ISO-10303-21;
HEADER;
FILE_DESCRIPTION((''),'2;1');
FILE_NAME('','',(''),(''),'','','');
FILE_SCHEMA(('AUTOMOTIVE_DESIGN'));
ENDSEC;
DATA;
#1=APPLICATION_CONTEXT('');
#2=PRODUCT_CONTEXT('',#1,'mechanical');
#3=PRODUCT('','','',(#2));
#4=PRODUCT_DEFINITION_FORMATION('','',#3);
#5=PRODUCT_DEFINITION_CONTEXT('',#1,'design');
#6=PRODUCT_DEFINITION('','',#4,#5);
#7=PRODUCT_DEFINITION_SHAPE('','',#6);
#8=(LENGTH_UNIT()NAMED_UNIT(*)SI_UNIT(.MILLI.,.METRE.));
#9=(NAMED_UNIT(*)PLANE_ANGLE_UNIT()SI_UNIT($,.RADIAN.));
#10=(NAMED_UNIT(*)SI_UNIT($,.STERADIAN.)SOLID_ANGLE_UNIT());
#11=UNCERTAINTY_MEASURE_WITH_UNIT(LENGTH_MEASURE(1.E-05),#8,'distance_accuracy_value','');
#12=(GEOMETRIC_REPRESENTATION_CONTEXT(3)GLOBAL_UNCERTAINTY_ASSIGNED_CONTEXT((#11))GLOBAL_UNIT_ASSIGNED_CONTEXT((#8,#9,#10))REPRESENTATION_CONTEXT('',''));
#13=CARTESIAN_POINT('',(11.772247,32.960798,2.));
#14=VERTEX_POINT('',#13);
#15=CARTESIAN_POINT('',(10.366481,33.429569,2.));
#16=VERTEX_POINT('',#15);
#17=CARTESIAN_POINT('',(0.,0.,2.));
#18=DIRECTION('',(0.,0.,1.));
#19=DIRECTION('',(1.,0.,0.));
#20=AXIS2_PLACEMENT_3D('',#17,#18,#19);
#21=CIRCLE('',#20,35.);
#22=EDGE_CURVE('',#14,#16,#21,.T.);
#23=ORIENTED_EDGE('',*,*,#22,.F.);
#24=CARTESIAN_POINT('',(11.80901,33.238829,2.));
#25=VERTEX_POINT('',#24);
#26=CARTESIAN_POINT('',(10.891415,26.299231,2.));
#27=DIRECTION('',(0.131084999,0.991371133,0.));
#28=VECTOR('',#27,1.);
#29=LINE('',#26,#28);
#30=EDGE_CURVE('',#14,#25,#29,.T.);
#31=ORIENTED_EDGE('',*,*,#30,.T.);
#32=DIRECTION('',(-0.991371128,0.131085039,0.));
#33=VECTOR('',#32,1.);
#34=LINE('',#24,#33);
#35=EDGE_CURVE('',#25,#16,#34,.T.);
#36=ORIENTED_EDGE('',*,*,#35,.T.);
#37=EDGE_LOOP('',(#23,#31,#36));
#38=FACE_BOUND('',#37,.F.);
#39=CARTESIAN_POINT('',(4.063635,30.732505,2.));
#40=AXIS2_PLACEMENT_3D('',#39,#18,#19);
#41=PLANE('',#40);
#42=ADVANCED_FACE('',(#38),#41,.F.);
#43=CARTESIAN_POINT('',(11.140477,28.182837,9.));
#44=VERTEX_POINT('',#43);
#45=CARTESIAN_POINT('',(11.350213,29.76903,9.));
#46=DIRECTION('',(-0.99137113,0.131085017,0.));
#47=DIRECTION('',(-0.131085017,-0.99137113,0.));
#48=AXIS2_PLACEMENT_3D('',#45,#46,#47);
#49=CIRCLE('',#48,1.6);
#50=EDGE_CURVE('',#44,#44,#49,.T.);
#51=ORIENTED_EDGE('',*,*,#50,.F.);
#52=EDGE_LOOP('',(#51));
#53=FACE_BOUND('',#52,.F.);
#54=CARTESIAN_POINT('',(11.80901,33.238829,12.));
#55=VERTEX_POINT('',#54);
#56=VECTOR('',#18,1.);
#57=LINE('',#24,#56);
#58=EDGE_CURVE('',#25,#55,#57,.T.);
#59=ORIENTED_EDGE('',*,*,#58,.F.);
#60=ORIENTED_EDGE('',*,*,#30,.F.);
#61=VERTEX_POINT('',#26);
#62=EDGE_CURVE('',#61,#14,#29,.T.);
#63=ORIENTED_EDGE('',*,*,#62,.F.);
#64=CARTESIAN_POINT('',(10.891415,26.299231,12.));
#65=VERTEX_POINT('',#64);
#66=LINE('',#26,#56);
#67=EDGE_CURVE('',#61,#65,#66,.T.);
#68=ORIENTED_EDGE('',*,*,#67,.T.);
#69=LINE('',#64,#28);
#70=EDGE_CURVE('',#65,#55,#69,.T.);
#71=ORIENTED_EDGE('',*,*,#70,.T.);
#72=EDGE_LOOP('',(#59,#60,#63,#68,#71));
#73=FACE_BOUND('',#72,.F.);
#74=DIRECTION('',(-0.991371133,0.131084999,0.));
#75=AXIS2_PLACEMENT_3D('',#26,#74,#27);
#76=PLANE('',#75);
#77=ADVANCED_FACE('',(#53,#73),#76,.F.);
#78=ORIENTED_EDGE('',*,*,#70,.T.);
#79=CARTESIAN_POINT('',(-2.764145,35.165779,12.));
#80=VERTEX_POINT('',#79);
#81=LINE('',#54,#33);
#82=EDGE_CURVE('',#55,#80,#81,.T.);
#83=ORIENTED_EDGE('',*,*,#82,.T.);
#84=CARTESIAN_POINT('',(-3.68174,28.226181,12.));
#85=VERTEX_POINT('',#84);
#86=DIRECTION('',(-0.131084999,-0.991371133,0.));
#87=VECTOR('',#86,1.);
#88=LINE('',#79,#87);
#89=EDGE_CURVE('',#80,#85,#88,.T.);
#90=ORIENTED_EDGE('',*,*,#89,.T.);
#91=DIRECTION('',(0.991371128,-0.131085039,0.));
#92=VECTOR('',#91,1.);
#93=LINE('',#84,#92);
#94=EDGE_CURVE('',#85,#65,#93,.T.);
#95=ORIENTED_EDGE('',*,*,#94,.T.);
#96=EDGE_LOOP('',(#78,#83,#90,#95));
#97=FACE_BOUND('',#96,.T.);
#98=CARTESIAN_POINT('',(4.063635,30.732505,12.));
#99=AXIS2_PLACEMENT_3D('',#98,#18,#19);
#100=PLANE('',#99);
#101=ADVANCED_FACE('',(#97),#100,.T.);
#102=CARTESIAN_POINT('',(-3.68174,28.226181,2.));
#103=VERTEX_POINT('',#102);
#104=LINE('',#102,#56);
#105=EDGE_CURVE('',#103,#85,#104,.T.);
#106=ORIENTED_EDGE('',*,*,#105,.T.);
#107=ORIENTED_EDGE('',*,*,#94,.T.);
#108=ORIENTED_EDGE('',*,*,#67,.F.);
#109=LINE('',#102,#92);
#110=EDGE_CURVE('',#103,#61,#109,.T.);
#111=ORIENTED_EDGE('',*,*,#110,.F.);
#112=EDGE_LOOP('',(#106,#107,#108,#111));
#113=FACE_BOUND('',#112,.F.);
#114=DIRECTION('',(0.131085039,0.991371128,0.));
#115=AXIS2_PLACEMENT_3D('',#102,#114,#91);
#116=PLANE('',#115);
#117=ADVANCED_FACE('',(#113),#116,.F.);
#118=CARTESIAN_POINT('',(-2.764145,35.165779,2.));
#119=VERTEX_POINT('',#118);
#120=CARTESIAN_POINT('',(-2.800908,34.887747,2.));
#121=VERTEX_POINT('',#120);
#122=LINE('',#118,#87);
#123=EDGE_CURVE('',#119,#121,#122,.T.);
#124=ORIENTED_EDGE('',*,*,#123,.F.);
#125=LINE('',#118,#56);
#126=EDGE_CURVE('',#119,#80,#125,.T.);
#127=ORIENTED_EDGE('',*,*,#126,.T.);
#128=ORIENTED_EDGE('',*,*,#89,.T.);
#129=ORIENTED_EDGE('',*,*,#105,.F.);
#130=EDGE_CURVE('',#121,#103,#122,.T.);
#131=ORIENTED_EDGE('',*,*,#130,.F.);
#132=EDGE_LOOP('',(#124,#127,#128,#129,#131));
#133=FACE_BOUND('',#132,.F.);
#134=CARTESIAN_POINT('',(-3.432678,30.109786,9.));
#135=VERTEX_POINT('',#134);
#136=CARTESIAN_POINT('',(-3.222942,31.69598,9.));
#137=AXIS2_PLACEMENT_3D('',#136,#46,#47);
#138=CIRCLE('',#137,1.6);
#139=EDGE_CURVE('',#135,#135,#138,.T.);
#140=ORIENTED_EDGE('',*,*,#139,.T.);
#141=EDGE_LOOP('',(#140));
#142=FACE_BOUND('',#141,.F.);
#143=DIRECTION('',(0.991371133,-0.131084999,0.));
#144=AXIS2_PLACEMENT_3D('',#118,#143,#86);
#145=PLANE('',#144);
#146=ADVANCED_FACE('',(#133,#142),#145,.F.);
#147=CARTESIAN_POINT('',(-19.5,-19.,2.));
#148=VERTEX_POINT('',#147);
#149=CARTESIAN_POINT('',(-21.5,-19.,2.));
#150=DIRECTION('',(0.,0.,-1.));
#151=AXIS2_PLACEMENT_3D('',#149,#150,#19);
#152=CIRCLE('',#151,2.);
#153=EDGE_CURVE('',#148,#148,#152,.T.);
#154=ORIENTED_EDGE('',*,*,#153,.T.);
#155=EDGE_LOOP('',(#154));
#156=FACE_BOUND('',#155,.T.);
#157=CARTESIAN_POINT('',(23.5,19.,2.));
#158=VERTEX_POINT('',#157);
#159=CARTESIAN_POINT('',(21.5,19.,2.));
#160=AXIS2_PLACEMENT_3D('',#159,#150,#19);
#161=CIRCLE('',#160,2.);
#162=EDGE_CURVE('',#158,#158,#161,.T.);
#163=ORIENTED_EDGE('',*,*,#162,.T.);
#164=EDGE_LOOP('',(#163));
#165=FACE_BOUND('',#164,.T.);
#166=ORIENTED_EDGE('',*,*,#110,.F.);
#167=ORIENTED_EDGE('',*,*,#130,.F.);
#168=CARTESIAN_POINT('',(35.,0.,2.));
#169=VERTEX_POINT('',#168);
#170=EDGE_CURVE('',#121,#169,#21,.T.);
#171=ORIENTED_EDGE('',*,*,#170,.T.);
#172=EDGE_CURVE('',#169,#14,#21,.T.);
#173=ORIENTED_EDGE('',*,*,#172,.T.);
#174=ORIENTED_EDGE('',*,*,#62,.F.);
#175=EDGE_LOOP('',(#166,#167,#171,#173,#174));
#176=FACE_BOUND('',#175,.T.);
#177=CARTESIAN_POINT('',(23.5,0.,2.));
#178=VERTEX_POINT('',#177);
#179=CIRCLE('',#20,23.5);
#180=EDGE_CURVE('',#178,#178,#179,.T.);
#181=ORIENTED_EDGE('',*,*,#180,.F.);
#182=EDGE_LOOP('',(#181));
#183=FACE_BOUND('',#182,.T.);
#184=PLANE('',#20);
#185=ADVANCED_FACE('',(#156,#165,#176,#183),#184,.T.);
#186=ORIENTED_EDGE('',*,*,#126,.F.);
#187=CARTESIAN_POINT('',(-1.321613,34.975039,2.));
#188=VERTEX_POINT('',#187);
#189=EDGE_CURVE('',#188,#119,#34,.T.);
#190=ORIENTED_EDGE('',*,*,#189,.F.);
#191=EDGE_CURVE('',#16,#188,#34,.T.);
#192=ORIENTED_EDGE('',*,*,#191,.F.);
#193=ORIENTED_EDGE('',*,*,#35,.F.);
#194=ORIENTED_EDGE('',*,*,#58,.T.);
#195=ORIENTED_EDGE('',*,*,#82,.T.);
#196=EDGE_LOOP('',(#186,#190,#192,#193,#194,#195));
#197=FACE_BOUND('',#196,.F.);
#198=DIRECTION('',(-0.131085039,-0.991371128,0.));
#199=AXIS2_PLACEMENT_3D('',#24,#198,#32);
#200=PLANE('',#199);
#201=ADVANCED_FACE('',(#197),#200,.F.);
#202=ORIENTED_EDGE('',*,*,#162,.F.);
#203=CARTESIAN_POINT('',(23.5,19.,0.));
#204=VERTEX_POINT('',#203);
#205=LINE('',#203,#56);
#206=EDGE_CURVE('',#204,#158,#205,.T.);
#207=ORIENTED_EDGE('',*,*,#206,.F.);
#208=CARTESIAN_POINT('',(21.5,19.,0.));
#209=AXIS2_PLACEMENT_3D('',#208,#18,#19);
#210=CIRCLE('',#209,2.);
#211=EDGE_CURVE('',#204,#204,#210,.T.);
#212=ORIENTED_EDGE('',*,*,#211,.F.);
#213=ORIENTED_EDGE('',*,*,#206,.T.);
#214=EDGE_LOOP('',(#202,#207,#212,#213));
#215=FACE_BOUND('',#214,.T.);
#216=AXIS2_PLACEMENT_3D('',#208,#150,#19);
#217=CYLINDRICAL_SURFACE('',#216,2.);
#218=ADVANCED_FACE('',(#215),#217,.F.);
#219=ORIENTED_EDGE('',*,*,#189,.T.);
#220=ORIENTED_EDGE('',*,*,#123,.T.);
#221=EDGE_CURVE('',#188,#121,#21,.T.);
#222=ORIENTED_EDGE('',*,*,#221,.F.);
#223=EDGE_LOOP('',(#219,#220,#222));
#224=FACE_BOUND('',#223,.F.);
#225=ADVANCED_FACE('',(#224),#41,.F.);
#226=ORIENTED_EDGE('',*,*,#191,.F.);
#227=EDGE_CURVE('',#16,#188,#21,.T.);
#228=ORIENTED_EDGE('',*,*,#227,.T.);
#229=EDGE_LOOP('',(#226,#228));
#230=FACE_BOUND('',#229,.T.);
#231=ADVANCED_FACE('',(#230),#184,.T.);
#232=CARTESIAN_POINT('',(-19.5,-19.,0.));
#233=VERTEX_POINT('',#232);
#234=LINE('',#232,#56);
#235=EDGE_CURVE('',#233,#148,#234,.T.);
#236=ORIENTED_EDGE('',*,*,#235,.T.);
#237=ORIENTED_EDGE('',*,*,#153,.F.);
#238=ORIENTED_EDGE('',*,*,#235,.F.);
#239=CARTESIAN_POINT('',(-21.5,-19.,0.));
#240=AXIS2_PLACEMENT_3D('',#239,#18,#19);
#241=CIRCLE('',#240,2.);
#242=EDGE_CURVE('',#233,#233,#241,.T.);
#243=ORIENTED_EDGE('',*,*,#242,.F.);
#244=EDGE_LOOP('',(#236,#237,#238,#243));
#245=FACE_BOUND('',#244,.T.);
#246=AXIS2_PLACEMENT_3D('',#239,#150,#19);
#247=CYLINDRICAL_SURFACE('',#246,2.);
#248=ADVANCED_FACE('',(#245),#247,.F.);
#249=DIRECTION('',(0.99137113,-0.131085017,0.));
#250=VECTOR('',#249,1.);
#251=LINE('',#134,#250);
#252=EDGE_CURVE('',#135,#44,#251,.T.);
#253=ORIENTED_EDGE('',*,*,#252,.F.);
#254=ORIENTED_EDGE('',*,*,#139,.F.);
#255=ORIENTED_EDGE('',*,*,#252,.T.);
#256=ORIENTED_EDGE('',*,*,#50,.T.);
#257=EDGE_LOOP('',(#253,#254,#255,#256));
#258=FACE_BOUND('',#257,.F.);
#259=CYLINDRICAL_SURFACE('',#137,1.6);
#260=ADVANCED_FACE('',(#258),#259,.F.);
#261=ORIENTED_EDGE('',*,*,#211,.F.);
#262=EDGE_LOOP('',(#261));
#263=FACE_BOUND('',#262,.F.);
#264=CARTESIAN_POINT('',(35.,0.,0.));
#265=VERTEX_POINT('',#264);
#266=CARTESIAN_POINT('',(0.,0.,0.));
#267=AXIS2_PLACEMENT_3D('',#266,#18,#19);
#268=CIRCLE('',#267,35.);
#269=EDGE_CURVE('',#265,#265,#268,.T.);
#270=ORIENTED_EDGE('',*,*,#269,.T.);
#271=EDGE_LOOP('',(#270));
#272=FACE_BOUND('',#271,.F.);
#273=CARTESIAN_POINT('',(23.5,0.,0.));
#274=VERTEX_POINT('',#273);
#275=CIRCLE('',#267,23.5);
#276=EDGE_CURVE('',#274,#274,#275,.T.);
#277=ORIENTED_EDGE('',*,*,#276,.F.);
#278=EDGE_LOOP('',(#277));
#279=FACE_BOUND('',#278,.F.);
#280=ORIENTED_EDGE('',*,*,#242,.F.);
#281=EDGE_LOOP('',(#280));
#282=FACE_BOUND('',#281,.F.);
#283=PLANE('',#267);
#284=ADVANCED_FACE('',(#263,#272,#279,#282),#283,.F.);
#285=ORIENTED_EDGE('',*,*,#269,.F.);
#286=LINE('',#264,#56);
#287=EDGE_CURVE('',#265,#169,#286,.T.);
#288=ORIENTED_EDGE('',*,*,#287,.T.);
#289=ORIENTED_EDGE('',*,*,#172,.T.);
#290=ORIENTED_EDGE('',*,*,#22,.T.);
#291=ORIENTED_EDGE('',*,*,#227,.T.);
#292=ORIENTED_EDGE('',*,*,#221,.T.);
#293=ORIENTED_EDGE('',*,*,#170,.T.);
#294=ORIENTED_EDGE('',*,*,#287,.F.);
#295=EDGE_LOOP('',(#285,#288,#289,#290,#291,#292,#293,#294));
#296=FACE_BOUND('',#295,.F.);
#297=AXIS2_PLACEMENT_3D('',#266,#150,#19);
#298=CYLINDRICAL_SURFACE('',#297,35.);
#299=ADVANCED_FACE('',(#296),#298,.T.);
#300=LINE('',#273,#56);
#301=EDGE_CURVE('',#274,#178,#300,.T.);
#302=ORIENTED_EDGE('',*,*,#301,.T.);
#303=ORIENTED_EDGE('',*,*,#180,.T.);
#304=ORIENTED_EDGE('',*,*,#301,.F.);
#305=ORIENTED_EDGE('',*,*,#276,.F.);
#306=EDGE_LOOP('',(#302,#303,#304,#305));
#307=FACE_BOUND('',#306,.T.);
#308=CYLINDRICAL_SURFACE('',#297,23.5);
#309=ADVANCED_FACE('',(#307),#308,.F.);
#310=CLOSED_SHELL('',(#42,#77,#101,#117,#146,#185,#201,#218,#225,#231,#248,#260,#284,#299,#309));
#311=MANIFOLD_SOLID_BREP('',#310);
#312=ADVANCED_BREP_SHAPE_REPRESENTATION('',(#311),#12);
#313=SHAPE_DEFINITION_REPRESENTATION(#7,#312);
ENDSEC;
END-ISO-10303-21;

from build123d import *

# Parameters (mm, degrees)
F0_R     = 35
F0_R_2   = 23.5
F1_DEPTH = 2
F2_R     = 2
F3_DEPTH = 2.001
F5_DEPTH = 10
F6_R     = 1.6
F7_DEPTH = 46.636965


with BuildPart() as f1:
    # F0 (on Top) → F1 (new body)
    with BuildSketch(Plane.XY):
        Circle(F0_R)
        Circle(F0_R_2, mode=Mode.SUBTRACT)
    extrude(amount=F1_DEPTH)

    # F2 (on Top) → F3 (cut, through all)
    with BuildSketch(Plane.XY):
        with Locations((-21.5, -19)):
            Circle(F2_R)
        with Locations((21.5, 19)):
            Circle(F2_R)
    extrude(amount=F3_DEPTH, mode=Mode.SUBTRACT)

    # F4 (on face) → F5 (join)
    with BuildSketch(Plane.XY.offset(2)):
        Polygon((11.80901, 33.238829), (-2.764145, 35.165779), (-3.68174, 28.226181), (10.891415, 26.299231), align=None)
    extrude(amount=F5_DEPTH)

    # F6 (on face) → F7 (cut, through all)
    with BuildSketch(Plane(origin=(-7.286578, 0.963475, 0), x_dir=(-0.131085, -0.991371, 0), z_dir=(-0.991371, 0.131085, 0))):
        with Locations((-31, 9)):
            Circle(F6_R)
    extrude(amount=-F7_DEPTH, mode=Mode.SUBTRACT)


solid = f1.part
